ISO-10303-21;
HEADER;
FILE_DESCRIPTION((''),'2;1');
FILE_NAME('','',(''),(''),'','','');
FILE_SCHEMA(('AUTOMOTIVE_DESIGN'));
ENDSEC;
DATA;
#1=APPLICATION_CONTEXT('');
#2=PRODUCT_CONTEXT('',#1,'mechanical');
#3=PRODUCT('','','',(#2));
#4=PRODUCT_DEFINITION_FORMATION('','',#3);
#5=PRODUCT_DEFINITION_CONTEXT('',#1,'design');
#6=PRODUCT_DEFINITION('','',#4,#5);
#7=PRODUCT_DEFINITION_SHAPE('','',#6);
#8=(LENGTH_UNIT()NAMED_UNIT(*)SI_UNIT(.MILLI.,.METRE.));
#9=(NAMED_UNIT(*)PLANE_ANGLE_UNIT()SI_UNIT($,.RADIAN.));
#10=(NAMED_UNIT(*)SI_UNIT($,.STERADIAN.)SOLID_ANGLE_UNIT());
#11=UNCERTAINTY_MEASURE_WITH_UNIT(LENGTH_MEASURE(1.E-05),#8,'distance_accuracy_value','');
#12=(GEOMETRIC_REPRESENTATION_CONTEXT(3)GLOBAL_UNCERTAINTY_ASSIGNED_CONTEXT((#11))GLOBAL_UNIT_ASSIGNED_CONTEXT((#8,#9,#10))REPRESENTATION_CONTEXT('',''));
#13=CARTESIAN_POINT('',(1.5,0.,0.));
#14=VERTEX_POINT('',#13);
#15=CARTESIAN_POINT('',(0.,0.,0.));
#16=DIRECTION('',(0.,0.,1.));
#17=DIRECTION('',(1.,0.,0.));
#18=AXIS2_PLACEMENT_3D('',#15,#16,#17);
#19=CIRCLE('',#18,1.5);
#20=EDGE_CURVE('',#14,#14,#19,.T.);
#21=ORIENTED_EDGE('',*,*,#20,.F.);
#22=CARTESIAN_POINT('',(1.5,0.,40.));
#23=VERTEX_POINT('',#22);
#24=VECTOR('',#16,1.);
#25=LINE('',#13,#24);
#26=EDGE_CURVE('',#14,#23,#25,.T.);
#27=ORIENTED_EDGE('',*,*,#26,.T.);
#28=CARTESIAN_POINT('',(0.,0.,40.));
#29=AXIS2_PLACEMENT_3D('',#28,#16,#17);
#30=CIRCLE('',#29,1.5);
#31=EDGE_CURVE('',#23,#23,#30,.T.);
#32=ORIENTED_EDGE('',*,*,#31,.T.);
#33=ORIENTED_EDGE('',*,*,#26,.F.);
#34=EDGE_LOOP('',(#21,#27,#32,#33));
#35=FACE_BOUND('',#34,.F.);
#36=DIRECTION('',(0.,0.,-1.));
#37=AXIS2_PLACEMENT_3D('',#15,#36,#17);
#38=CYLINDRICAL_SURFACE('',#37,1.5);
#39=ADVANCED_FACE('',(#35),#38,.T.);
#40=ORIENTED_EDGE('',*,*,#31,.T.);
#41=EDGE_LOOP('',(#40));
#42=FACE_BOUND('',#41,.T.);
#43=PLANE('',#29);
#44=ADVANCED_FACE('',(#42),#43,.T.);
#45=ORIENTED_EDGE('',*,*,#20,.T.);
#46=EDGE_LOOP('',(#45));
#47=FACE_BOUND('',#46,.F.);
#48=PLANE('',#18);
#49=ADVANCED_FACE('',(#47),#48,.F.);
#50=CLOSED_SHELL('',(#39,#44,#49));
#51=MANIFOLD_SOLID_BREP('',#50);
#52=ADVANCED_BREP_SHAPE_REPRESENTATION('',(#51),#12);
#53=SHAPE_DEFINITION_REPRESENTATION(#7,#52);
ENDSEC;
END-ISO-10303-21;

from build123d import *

# Parameters (mm, degrees)
SKETCH_1_R      = 1.5
EXTRUDE_1_DEPTH = 40


with BuildPart() as part:
    # 스케치1 → 보스-돌출1 (new body)
    with BuildSketch(Plane.XY):
        Circle(SKETCH_1_R)
    extrude(amount=EXTRUDE_1_DEPTH)


solid = part.part
